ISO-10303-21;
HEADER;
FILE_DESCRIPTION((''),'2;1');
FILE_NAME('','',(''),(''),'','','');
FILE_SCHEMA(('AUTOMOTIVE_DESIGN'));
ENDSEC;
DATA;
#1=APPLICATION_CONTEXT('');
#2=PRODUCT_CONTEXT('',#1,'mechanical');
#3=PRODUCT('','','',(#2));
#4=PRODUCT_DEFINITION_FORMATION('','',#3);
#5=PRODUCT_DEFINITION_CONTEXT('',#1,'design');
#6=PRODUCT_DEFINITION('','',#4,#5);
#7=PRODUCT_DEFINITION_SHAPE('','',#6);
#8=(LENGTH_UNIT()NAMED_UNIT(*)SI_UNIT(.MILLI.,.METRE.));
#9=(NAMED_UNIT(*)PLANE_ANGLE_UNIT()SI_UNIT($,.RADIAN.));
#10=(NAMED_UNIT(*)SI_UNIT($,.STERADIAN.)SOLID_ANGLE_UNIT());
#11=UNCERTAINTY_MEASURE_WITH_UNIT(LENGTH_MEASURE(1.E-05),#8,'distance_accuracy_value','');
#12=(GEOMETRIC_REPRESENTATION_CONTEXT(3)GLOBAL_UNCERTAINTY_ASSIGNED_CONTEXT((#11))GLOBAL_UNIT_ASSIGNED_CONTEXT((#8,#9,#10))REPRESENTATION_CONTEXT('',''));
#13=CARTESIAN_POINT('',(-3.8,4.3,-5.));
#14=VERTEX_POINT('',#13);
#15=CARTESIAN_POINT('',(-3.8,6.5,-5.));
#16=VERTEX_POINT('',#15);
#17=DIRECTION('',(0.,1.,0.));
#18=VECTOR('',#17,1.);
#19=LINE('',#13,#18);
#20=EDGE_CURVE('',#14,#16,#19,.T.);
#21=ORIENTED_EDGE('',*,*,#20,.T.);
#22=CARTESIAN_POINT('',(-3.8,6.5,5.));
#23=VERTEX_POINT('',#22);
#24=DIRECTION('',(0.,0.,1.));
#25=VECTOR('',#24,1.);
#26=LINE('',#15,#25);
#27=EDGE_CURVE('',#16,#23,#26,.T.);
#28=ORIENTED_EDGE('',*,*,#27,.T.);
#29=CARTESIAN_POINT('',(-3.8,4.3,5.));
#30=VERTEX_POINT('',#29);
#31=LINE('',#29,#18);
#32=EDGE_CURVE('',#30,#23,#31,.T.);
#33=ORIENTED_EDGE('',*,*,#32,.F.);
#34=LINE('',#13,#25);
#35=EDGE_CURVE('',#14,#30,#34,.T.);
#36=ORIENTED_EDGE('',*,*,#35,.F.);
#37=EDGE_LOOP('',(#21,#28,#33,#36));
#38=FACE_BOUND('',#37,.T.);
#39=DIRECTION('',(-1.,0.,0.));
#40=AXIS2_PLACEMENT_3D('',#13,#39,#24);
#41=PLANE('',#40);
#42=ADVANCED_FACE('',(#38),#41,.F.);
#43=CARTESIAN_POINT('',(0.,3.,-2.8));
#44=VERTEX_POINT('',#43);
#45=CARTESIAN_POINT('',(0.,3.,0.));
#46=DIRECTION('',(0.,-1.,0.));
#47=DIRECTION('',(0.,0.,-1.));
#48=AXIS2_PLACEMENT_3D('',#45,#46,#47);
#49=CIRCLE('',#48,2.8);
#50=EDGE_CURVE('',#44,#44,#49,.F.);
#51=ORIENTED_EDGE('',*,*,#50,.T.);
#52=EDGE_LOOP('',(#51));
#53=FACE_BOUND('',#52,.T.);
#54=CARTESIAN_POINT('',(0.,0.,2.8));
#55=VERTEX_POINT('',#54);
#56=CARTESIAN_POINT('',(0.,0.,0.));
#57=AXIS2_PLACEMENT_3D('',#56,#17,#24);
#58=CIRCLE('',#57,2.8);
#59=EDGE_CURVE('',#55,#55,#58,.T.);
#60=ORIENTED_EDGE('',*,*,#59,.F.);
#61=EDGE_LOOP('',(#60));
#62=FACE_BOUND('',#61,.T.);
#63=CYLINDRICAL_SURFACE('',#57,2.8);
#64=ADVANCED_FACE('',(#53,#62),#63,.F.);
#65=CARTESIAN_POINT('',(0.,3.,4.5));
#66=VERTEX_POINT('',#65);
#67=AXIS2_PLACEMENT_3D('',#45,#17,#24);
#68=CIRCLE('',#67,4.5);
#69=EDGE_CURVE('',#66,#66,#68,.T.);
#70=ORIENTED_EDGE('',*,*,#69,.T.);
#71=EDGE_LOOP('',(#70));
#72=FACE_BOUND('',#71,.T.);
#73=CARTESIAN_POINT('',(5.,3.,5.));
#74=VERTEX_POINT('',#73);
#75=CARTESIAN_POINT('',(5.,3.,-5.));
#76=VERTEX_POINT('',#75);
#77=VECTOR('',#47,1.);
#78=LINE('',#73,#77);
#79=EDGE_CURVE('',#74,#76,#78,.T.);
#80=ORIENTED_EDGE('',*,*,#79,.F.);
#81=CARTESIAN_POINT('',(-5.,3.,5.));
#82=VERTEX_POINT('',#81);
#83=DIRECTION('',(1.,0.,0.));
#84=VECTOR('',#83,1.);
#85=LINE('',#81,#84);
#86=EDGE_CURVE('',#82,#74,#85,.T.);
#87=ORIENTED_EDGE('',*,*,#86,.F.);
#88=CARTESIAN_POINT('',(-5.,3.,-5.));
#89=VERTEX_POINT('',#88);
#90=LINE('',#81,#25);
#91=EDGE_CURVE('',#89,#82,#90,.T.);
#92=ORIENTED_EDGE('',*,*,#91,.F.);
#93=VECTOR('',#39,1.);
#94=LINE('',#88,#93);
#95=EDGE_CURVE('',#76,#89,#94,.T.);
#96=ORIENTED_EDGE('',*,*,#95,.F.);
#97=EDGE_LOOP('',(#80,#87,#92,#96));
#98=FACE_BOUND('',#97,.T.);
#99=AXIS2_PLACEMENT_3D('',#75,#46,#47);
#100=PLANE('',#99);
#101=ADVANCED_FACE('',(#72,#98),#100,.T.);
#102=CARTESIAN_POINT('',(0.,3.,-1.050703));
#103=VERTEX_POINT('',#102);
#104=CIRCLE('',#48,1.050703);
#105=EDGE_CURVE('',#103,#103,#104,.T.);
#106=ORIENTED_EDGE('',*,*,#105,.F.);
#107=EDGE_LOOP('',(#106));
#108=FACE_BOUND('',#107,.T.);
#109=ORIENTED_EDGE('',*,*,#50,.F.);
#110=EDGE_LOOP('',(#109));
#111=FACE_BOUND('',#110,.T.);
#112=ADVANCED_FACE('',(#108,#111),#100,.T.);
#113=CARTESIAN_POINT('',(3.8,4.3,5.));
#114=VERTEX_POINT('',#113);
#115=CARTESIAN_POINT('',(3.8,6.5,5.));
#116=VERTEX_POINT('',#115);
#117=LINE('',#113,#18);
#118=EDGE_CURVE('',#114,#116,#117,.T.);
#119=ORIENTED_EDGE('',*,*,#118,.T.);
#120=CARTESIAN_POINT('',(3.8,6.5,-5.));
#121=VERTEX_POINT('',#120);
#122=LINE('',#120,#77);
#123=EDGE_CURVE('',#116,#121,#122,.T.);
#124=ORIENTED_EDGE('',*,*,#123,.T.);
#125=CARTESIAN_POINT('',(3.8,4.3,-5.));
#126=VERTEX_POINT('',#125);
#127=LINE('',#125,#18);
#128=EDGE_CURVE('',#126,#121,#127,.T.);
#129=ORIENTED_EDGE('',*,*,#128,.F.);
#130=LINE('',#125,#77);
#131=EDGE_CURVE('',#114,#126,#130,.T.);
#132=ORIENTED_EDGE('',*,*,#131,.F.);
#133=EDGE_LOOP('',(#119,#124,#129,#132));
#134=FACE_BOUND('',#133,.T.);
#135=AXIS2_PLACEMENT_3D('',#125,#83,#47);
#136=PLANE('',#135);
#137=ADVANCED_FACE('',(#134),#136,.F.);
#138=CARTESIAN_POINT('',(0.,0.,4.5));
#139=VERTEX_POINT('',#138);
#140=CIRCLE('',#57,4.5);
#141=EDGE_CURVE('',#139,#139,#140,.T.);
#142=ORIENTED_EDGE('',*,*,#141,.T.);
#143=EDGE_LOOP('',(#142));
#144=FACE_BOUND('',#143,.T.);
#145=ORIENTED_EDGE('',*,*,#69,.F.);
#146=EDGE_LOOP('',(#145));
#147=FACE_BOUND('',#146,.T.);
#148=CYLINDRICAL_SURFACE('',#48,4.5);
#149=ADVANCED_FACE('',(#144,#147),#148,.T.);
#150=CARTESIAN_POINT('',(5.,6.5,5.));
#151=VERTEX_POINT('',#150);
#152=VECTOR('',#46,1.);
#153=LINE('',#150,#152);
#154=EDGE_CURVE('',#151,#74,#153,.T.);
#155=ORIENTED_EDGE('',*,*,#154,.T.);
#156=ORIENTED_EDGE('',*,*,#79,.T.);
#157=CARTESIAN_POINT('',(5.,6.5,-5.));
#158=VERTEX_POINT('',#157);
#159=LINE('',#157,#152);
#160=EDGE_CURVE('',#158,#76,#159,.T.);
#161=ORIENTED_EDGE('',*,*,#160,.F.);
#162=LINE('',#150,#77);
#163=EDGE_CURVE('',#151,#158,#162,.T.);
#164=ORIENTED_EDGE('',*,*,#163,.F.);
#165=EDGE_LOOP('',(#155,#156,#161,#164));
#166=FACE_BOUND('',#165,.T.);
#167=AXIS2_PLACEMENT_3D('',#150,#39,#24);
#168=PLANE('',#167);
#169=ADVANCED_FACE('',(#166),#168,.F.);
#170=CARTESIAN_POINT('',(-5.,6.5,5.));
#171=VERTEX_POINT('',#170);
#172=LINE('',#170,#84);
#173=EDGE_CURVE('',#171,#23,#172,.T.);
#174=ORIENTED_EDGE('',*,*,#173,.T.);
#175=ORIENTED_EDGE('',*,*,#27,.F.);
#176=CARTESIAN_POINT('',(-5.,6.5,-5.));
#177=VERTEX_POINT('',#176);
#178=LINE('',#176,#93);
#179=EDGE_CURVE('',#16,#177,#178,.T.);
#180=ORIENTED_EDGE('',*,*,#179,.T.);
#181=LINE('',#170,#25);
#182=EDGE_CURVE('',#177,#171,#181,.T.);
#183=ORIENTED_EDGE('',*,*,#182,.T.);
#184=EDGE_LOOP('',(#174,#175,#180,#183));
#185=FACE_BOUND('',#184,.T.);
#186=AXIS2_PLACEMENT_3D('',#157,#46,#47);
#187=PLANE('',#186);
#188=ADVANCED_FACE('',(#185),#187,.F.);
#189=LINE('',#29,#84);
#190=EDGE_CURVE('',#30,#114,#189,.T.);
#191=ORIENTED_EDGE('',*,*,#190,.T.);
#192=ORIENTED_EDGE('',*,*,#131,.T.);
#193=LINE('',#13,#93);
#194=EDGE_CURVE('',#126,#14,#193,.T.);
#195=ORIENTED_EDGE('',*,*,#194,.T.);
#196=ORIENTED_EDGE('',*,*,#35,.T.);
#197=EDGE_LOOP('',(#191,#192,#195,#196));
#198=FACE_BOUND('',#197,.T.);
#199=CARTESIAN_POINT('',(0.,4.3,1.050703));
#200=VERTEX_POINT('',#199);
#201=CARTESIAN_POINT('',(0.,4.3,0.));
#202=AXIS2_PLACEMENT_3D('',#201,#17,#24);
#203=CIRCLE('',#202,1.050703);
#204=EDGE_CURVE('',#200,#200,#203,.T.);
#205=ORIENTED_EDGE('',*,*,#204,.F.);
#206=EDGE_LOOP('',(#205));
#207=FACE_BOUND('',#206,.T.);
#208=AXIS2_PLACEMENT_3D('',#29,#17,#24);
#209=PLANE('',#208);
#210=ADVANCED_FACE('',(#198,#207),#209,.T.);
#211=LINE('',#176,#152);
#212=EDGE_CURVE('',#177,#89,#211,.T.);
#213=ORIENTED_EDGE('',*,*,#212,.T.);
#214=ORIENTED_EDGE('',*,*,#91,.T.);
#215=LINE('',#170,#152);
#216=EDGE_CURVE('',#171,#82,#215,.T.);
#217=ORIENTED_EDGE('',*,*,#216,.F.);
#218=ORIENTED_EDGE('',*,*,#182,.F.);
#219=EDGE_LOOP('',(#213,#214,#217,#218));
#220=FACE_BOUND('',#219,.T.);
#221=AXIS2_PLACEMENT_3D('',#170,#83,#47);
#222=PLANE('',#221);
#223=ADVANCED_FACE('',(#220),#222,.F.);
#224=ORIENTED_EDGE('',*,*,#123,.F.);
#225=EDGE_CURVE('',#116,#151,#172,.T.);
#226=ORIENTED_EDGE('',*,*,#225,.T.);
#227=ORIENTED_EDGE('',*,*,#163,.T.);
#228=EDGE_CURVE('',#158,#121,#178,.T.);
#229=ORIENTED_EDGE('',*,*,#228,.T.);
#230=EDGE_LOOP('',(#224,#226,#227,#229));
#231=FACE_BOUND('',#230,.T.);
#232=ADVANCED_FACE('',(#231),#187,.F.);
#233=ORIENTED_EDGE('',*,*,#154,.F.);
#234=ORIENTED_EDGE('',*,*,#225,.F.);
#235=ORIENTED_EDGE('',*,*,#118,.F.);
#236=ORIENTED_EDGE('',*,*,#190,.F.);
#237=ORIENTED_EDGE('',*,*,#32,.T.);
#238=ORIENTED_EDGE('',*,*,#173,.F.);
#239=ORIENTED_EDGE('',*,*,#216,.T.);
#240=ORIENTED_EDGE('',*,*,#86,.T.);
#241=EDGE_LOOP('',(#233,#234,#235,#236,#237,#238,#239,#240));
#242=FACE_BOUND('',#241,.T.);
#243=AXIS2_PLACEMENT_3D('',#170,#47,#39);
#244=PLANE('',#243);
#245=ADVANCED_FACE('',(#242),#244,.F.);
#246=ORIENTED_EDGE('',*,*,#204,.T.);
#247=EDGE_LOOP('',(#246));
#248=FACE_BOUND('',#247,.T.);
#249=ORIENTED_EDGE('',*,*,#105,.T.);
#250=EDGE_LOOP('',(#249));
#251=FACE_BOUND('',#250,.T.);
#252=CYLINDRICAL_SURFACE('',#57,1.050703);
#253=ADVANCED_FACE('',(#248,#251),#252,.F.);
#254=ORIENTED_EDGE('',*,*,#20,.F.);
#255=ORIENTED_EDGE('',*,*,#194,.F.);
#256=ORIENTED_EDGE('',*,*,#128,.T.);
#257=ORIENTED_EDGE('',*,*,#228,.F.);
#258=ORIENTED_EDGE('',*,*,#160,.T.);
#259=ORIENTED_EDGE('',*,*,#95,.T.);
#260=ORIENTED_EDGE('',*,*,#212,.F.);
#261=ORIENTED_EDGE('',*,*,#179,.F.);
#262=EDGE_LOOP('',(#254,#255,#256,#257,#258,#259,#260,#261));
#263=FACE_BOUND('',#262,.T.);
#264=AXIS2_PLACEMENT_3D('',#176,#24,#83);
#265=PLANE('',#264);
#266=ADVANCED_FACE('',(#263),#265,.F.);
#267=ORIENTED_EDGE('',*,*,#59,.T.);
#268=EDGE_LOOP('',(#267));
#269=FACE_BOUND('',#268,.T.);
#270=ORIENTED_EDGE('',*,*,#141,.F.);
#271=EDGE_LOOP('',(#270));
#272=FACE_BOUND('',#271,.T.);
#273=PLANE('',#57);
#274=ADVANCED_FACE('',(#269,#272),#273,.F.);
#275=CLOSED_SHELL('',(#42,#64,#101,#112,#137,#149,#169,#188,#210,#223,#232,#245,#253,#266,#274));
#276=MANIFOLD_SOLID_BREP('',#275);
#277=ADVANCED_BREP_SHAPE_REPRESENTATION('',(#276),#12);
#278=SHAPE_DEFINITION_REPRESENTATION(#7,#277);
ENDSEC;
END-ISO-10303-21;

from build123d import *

# Parameters (mm, degrees)
ESBO_O1_R                = 4.5
RESSALTO_EXTRUS_O1_DEPTH = 3
ESBO_O2_R                = 2.8
CORTE_EXTRUS_O1_DEPTH    = 4
ESBO_O3_W                = 10
ESBO_O3_H                = 10
RESSALTO_EXTRUS_O2_DEPTH = 3.5
ESBO_O4_W                = 7.6
ESBO_O4_H                = 10
CORTE_EXTRUS_O2_DEPTH    = 2.2
ESBO_O5_R                = 1.050702539
CORTE_EXTRUS_O3_DEPTH    = 5.3


with BuildPart() as part:
    # Esboço1 → Ressalto-extrusão1 (new body)
    with BuildSketch(Plane(origin=(0, 0, 0), x_dir=(1, 0, 0), z_dir=(0, 1, 0))):
        Circle(ESBO_O1_R)
    extrude(amount=RESSALTO_EXTRUS_O1_DEPTH)

    # Esboço2 → Corte-extrusão1 (cut, through all)
    with BuildSketch(Plane(origin=(0, 3, 0), x_dir=(1, 0, 0), z_dir=(0, 1, 0))):
        Circle(ESBO_O2_R)
    extrude(amount=-CORTE_EXTRUS_O1_DEPTH, mode=Mode.SUBTRACT)

    # Esboço3 → Ressalto-extrusão2 (add)
    with BuildSketch(Plane(origin=(0, 3, 0), x_dir=(1, 0, 0), z_dir=(0, 1, 0))):
        Rectangle(ESBO_O3_W, ESBO_O3_H)
    extrude(amount=RESSALTO_EXTRUS_O2_DEPTH)

    # Esboço4 → Corte-extrusão2 (cut)
    with BuildSketch(Plane(origin=(0, 6.5, 0), x_dir=(1, 0, 0), z_dir=(0, 1, 0))):
        Rectangle(ESBO_O4_W, ESBO_O4_H)
    extrude(amount=-CORTE_EXTRUS_O2_DEPTH, mode=Mode.SUBTRACT)

    # Esboço5 → Corte-extrusão3 (cut, through all)
    with BuildSketch(Plane(origin=(0, 4.3, 0), x_dir=(1, 0, 0), z_dir=(0, 1, 0))):
        Circle(ESBO_O5_R)
    extrude(amount=-CORTE_EXTRUS_O3_DEPTH, mode=Mode.SUBTRACT)


solid = part.part
